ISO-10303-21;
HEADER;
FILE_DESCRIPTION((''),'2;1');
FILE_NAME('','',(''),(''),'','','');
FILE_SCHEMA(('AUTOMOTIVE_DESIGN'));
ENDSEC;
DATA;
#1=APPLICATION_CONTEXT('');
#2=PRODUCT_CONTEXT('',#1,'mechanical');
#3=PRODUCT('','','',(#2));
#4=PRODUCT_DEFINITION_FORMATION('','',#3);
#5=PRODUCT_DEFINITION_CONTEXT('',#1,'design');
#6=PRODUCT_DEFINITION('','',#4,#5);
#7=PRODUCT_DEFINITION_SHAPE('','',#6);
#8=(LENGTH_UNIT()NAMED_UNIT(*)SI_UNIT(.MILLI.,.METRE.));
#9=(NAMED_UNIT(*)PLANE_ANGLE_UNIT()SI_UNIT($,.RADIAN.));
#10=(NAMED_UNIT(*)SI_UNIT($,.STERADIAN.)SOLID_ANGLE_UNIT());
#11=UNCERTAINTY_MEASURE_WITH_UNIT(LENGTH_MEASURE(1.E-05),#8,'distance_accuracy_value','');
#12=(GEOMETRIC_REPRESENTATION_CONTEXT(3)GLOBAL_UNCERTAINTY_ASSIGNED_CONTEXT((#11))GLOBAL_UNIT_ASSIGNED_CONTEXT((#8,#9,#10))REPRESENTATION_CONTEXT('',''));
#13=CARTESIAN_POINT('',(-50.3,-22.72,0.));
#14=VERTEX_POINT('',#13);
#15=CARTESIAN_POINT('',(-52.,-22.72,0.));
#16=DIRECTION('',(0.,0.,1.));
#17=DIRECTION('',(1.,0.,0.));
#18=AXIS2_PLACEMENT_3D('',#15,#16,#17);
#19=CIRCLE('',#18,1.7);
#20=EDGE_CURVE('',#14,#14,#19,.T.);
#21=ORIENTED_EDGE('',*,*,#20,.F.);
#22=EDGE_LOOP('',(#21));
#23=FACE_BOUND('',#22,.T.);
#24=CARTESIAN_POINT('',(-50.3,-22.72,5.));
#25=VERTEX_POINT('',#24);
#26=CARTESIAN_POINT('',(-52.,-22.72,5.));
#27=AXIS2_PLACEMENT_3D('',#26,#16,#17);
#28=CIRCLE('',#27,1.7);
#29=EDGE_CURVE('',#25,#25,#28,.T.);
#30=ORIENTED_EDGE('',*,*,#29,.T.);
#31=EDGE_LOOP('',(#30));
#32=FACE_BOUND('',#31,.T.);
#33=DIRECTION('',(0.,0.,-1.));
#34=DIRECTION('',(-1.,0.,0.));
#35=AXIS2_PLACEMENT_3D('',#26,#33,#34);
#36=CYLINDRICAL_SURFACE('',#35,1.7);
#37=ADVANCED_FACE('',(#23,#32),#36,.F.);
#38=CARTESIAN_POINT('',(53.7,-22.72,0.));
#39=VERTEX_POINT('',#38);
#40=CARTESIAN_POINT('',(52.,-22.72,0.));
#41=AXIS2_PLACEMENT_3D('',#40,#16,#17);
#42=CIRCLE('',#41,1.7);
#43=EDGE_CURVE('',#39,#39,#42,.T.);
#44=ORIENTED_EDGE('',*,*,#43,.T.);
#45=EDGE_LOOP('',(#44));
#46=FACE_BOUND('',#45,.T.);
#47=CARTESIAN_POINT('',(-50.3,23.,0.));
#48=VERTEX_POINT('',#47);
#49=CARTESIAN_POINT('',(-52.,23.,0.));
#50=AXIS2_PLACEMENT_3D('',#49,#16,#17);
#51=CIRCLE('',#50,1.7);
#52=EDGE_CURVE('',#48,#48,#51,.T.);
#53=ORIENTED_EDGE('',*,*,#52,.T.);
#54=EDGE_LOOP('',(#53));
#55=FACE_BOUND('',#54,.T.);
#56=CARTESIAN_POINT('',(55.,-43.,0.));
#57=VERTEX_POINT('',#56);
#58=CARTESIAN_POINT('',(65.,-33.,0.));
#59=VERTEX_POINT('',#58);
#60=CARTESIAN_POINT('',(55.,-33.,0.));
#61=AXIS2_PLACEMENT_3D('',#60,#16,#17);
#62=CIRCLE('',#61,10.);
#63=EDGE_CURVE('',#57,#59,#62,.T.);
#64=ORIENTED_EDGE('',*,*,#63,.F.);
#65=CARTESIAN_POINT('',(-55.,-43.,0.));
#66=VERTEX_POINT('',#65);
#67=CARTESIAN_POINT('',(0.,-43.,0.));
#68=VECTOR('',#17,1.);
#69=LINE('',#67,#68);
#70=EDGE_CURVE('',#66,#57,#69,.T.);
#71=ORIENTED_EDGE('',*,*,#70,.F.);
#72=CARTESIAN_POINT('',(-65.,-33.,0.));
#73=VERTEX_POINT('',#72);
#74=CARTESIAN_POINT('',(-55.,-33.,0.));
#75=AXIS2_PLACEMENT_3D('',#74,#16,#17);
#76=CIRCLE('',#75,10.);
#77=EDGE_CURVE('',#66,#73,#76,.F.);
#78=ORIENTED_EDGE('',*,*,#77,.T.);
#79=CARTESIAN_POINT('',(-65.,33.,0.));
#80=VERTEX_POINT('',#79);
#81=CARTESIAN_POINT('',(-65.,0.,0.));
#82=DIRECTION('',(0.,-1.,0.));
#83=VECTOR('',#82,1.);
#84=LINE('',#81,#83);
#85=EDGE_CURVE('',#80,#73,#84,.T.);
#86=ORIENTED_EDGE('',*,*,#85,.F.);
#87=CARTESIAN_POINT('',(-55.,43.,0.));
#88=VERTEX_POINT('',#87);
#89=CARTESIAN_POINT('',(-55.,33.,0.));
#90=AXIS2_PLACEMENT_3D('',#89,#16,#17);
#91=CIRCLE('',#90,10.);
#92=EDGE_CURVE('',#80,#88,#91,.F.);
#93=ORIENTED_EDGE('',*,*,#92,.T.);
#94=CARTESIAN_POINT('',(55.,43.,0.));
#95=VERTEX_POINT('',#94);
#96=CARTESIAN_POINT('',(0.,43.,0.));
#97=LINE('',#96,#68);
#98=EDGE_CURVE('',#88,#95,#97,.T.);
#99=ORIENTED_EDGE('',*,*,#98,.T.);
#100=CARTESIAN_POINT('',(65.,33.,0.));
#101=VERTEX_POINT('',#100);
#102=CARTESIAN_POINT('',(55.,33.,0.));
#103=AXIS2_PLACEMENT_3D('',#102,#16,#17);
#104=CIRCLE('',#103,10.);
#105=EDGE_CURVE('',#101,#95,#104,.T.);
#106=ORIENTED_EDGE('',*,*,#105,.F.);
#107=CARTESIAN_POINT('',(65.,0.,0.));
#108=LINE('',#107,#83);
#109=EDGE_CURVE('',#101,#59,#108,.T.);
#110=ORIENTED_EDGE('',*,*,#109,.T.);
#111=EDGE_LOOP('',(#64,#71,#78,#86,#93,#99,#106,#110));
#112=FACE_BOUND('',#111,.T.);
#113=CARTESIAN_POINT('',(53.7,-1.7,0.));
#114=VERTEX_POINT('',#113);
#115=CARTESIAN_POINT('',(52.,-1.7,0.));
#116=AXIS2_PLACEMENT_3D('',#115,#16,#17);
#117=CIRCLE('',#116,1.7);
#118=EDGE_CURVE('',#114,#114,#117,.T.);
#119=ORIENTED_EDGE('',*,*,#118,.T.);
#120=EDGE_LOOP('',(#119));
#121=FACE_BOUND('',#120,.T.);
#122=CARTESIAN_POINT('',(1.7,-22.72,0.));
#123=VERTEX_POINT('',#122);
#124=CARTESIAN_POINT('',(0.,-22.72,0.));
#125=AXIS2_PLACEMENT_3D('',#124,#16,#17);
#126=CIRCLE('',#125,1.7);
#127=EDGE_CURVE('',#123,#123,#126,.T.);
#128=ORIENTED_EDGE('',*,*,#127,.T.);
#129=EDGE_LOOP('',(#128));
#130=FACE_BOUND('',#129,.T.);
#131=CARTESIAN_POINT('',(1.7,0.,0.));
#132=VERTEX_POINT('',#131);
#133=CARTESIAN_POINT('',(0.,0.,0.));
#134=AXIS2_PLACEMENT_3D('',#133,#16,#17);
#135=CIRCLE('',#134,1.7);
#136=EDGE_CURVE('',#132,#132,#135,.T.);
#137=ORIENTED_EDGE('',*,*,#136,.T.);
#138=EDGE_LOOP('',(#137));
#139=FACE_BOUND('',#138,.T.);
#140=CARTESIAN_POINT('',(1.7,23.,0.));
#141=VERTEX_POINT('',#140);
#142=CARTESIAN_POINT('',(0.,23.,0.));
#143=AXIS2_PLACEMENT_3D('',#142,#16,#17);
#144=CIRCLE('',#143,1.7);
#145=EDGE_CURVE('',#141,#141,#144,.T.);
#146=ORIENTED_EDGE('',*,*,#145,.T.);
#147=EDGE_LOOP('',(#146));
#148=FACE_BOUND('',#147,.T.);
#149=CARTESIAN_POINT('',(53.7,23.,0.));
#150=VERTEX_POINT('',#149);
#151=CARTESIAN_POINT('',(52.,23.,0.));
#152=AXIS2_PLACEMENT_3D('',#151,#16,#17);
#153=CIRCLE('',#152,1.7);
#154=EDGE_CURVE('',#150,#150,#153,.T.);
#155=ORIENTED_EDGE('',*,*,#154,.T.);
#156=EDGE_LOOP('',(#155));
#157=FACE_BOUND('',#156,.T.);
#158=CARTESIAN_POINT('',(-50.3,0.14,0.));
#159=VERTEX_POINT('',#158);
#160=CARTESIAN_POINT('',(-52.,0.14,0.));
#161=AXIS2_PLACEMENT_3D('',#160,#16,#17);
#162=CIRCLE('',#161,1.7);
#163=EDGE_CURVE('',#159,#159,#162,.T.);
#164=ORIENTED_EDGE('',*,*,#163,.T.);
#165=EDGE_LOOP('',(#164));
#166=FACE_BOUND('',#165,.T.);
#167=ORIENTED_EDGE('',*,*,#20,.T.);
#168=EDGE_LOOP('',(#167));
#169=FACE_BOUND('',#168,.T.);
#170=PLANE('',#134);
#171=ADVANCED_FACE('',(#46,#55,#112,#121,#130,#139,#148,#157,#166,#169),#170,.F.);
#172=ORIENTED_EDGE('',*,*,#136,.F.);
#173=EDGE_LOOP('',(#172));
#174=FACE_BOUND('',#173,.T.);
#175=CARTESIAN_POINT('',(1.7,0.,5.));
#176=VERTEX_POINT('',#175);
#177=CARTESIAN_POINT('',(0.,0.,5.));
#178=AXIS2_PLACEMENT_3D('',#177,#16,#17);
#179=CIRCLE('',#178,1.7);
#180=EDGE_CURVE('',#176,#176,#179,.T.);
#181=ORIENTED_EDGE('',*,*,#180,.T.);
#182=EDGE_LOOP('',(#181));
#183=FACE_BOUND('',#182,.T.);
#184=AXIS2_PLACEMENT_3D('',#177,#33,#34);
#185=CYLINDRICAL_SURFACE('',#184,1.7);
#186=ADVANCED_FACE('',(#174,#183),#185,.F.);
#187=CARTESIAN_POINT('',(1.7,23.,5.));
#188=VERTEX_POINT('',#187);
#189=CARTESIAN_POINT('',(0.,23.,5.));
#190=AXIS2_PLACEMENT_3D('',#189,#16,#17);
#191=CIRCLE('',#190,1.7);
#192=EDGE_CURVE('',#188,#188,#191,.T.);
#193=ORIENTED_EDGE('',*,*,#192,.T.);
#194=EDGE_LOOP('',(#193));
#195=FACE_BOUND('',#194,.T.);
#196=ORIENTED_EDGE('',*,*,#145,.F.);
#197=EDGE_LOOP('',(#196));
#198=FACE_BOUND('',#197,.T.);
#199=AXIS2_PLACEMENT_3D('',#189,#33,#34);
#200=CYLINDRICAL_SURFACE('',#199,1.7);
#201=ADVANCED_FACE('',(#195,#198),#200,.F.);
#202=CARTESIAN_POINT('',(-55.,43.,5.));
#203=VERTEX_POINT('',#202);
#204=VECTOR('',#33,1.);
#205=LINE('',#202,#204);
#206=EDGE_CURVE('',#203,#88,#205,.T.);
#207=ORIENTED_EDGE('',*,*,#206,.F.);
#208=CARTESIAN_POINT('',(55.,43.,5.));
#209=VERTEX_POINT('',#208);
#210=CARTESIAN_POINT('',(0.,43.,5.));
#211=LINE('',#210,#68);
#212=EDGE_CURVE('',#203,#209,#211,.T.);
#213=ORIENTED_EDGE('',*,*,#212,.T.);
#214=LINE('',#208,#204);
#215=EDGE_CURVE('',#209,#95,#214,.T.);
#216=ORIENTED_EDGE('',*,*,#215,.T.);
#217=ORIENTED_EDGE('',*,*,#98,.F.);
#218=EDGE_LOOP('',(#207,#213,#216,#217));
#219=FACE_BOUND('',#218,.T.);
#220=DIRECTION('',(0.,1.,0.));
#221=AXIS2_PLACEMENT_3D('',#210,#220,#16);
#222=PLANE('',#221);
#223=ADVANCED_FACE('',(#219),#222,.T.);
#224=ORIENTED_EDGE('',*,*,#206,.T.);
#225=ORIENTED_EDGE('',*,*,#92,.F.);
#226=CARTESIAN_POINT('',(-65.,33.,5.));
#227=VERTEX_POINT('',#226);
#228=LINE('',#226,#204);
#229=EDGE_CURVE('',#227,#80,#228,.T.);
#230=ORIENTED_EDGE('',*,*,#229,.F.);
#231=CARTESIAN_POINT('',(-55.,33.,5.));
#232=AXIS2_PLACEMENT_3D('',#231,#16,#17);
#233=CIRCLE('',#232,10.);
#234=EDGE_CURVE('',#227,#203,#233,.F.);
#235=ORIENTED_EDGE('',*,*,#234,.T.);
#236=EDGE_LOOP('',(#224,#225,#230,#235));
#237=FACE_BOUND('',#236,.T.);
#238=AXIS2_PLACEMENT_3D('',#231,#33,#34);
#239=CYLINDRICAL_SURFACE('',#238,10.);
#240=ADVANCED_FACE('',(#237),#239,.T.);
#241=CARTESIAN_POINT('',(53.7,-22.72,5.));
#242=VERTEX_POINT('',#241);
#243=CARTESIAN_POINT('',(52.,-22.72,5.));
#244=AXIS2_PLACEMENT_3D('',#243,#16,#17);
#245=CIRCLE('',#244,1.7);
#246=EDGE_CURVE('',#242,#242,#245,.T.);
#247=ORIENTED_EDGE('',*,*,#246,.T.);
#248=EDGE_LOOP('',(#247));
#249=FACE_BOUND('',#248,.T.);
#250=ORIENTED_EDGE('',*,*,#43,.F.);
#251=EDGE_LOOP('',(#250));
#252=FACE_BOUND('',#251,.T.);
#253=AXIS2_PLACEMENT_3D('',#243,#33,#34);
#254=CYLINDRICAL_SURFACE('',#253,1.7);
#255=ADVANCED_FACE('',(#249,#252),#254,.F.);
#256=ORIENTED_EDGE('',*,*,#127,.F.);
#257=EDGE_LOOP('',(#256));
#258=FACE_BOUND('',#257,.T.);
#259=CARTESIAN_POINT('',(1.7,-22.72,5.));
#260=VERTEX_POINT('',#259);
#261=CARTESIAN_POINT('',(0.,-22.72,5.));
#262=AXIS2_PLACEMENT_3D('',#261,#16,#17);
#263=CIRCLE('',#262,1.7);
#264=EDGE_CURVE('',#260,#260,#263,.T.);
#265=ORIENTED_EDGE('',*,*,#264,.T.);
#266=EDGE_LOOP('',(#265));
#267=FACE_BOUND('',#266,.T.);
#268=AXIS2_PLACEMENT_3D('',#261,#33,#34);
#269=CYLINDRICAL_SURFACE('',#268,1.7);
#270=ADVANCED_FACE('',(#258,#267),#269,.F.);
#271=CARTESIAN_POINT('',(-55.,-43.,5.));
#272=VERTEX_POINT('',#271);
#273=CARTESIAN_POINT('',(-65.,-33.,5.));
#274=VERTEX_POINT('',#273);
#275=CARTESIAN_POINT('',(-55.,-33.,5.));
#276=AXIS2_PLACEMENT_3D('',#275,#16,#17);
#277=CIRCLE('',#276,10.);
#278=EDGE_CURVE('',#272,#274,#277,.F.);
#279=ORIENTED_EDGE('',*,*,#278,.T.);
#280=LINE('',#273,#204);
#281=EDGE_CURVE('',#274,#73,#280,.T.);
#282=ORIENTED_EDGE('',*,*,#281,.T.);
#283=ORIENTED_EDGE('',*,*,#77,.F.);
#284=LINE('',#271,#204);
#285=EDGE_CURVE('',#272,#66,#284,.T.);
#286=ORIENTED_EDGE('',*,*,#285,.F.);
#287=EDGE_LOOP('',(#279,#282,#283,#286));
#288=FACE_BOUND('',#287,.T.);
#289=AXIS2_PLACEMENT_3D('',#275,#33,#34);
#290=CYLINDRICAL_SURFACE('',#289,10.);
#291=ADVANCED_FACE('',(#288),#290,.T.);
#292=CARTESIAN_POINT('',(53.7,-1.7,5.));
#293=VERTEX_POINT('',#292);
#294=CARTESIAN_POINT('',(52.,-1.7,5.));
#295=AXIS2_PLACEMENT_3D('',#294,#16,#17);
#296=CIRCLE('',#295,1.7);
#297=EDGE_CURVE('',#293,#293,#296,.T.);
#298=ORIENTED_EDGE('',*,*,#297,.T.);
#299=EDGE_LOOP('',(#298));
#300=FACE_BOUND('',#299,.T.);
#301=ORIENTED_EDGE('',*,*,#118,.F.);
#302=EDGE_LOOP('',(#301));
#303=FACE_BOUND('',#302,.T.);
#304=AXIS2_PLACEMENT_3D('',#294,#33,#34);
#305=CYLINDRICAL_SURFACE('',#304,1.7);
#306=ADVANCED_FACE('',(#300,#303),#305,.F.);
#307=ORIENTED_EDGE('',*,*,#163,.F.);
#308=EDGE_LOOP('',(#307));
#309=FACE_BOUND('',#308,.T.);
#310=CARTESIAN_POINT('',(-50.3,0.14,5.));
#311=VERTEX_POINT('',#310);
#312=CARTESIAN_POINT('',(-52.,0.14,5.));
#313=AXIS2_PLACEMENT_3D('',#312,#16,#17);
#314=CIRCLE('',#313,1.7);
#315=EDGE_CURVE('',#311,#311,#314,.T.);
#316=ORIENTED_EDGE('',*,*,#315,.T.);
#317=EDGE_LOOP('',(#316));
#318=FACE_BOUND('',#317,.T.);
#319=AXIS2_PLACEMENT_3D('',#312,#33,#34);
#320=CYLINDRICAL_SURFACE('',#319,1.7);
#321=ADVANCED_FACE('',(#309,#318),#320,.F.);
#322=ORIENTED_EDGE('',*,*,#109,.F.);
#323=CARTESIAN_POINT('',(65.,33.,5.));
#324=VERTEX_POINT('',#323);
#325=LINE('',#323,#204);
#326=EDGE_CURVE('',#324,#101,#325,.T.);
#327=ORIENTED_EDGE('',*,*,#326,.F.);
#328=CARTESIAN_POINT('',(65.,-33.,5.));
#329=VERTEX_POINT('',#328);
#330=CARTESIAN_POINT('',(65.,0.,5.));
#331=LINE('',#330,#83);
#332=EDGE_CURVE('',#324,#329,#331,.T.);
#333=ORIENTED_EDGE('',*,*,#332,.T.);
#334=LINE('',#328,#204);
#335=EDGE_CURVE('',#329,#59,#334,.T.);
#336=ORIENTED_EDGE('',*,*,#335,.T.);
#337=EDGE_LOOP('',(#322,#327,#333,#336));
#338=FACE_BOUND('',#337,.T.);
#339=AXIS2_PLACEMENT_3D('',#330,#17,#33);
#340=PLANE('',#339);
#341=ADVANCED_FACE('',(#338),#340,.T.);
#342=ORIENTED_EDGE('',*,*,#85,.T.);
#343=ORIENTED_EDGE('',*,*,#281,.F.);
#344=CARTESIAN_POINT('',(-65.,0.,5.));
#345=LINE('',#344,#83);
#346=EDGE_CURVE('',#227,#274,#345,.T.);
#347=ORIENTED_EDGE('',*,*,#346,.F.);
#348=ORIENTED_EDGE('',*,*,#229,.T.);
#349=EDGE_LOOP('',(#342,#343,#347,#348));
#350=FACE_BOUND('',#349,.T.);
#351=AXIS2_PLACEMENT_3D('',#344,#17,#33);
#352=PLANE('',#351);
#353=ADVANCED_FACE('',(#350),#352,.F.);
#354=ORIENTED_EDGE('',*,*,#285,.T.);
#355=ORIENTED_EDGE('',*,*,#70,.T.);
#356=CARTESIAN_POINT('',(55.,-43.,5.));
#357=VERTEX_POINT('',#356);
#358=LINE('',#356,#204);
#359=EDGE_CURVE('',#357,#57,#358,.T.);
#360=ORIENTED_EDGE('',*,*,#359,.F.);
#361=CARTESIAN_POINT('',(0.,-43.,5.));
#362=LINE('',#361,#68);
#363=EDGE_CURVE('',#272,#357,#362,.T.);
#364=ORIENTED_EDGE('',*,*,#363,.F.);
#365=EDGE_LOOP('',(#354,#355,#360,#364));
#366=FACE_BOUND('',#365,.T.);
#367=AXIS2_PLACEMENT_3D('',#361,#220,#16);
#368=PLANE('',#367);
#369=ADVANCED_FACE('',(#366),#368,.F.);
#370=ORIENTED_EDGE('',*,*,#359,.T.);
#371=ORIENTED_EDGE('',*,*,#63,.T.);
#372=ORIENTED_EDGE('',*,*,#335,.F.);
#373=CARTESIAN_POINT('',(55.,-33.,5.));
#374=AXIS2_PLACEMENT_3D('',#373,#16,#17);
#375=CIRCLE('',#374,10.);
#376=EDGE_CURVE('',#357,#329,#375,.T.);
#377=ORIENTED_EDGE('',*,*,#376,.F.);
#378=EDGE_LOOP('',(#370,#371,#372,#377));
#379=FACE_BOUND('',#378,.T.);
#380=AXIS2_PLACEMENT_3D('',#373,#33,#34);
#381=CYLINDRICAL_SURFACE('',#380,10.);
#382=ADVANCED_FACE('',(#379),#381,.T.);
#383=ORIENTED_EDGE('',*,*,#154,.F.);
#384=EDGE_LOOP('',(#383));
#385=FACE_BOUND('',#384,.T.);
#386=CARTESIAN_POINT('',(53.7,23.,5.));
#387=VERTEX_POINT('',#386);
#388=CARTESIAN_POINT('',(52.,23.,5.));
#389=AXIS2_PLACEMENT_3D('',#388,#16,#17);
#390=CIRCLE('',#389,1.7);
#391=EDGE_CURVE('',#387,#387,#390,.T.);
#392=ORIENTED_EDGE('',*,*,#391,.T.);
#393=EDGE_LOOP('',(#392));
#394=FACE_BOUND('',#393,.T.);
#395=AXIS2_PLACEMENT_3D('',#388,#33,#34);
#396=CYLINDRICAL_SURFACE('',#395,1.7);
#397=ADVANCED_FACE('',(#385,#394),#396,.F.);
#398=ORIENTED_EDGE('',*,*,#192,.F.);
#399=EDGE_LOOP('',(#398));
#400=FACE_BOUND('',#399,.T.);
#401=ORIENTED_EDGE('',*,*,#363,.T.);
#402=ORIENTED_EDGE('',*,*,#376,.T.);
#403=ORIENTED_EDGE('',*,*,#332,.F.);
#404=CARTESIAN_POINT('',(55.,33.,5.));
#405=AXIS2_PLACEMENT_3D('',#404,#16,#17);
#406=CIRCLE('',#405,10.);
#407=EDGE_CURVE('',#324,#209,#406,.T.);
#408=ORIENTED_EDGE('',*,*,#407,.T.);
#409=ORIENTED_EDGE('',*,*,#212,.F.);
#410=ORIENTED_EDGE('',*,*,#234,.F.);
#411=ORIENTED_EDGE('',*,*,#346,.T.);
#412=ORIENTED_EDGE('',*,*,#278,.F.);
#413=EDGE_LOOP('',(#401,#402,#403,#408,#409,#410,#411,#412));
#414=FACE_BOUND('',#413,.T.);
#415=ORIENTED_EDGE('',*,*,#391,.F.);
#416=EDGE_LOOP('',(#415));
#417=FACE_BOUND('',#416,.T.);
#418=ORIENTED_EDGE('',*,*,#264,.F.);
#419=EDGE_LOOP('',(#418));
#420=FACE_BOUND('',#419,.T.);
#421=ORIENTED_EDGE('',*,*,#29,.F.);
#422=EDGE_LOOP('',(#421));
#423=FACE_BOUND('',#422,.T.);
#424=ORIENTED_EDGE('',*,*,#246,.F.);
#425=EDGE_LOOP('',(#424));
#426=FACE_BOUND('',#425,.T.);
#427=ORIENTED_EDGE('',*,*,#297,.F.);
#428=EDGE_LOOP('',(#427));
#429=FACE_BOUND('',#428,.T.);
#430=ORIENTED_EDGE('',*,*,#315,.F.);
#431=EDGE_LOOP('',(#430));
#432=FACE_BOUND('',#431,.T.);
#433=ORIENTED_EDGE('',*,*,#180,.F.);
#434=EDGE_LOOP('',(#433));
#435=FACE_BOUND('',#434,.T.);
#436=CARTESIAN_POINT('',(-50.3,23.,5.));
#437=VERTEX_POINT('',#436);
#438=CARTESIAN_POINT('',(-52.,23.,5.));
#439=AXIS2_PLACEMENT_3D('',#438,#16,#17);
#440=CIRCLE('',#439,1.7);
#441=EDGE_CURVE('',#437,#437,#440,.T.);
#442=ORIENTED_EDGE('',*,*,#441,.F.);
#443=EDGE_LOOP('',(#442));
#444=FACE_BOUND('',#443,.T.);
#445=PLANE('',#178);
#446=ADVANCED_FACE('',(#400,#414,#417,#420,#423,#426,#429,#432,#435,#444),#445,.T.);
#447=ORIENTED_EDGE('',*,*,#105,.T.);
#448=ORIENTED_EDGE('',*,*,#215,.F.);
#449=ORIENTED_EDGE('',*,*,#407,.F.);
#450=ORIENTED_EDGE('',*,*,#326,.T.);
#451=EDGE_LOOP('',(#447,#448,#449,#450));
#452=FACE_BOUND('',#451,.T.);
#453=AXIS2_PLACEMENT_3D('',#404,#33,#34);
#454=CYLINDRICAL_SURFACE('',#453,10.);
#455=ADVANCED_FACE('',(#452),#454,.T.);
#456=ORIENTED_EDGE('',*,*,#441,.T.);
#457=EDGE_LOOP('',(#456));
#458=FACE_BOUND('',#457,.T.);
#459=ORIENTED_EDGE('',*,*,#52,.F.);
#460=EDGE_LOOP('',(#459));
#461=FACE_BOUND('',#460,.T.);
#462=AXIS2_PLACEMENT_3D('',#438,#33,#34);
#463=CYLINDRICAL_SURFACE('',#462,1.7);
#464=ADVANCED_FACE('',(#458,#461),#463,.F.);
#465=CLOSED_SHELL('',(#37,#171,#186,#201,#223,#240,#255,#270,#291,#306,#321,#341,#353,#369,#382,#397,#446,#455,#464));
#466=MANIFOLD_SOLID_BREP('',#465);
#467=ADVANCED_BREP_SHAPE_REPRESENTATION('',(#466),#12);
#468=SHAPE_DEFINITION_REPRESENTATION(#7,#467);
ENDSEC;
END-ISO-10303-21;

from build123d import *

# Parameters (mm, degrees)
SKETCH1_R           = 1.7
BOSS_EXTRUDE1_DEPTH = 5


with BuildPart() as part:
    # Sketch1 → Boss-Extrude1 (new body)
    with BuildSketch(Plane.XY):
        with BuildLine():
            Line((-55, 43), (55, 43))
            ThreePointArc((55, 43), (62.071067812, 40.071067812), (65, 33))
            Line((65, 33), (65, -33))
            ThreePointArc((65, -33), (62.071067812, -40.071067812), (55, -43))
            Line((55, -43), (-55, -43))
            ThreePointArc((-55, -43), (-62.071067812, -40.071067812), (-65, -33))
            Line((-65, -33), (-65, 33))
            ThreePointArc((-65, 33), (-62.071067812, 40.071067812), (-55, 43))
        make_face()
        with Locations((-52, 23)):
            Circle(SKETCH1_R, mode=Mode.SUBTRACT)
        with Locations((-52, -22.72)):
            Circle(SKETCH1_R, mode=Mode.SUBTRACT)
        with Locations((52, 23)):
            Circle(SKETCH1_R, mode=Mode.SUBTRACT)
        with Locations((52, -22.72)):
            Circle(SKETCH1_R, mode=Mode.SUBTRACT)
        with Locations((-52, 0.14)):
            Circle(SKETCH1_R, mode=Mode.SUBTRACT)
        Circle(SKETCH1_R, mode=Mode.SUBTRACT)
        with Locations((0, -22.72)):
            Circle(SKETCH1_R, mode=Mode.SUBTRACT)
        with Locations((0, 23)):
            Circle(SKETCH1_R, mode=Mode.SUBTRACT)
        with Locations((52, -1.7)):
            Circle(SKETCH1_R, mode=Mode.SUBTRACT)
    extrude(amount=BOSS_EXTRUDE1_DEPTH)


solid = part.part
